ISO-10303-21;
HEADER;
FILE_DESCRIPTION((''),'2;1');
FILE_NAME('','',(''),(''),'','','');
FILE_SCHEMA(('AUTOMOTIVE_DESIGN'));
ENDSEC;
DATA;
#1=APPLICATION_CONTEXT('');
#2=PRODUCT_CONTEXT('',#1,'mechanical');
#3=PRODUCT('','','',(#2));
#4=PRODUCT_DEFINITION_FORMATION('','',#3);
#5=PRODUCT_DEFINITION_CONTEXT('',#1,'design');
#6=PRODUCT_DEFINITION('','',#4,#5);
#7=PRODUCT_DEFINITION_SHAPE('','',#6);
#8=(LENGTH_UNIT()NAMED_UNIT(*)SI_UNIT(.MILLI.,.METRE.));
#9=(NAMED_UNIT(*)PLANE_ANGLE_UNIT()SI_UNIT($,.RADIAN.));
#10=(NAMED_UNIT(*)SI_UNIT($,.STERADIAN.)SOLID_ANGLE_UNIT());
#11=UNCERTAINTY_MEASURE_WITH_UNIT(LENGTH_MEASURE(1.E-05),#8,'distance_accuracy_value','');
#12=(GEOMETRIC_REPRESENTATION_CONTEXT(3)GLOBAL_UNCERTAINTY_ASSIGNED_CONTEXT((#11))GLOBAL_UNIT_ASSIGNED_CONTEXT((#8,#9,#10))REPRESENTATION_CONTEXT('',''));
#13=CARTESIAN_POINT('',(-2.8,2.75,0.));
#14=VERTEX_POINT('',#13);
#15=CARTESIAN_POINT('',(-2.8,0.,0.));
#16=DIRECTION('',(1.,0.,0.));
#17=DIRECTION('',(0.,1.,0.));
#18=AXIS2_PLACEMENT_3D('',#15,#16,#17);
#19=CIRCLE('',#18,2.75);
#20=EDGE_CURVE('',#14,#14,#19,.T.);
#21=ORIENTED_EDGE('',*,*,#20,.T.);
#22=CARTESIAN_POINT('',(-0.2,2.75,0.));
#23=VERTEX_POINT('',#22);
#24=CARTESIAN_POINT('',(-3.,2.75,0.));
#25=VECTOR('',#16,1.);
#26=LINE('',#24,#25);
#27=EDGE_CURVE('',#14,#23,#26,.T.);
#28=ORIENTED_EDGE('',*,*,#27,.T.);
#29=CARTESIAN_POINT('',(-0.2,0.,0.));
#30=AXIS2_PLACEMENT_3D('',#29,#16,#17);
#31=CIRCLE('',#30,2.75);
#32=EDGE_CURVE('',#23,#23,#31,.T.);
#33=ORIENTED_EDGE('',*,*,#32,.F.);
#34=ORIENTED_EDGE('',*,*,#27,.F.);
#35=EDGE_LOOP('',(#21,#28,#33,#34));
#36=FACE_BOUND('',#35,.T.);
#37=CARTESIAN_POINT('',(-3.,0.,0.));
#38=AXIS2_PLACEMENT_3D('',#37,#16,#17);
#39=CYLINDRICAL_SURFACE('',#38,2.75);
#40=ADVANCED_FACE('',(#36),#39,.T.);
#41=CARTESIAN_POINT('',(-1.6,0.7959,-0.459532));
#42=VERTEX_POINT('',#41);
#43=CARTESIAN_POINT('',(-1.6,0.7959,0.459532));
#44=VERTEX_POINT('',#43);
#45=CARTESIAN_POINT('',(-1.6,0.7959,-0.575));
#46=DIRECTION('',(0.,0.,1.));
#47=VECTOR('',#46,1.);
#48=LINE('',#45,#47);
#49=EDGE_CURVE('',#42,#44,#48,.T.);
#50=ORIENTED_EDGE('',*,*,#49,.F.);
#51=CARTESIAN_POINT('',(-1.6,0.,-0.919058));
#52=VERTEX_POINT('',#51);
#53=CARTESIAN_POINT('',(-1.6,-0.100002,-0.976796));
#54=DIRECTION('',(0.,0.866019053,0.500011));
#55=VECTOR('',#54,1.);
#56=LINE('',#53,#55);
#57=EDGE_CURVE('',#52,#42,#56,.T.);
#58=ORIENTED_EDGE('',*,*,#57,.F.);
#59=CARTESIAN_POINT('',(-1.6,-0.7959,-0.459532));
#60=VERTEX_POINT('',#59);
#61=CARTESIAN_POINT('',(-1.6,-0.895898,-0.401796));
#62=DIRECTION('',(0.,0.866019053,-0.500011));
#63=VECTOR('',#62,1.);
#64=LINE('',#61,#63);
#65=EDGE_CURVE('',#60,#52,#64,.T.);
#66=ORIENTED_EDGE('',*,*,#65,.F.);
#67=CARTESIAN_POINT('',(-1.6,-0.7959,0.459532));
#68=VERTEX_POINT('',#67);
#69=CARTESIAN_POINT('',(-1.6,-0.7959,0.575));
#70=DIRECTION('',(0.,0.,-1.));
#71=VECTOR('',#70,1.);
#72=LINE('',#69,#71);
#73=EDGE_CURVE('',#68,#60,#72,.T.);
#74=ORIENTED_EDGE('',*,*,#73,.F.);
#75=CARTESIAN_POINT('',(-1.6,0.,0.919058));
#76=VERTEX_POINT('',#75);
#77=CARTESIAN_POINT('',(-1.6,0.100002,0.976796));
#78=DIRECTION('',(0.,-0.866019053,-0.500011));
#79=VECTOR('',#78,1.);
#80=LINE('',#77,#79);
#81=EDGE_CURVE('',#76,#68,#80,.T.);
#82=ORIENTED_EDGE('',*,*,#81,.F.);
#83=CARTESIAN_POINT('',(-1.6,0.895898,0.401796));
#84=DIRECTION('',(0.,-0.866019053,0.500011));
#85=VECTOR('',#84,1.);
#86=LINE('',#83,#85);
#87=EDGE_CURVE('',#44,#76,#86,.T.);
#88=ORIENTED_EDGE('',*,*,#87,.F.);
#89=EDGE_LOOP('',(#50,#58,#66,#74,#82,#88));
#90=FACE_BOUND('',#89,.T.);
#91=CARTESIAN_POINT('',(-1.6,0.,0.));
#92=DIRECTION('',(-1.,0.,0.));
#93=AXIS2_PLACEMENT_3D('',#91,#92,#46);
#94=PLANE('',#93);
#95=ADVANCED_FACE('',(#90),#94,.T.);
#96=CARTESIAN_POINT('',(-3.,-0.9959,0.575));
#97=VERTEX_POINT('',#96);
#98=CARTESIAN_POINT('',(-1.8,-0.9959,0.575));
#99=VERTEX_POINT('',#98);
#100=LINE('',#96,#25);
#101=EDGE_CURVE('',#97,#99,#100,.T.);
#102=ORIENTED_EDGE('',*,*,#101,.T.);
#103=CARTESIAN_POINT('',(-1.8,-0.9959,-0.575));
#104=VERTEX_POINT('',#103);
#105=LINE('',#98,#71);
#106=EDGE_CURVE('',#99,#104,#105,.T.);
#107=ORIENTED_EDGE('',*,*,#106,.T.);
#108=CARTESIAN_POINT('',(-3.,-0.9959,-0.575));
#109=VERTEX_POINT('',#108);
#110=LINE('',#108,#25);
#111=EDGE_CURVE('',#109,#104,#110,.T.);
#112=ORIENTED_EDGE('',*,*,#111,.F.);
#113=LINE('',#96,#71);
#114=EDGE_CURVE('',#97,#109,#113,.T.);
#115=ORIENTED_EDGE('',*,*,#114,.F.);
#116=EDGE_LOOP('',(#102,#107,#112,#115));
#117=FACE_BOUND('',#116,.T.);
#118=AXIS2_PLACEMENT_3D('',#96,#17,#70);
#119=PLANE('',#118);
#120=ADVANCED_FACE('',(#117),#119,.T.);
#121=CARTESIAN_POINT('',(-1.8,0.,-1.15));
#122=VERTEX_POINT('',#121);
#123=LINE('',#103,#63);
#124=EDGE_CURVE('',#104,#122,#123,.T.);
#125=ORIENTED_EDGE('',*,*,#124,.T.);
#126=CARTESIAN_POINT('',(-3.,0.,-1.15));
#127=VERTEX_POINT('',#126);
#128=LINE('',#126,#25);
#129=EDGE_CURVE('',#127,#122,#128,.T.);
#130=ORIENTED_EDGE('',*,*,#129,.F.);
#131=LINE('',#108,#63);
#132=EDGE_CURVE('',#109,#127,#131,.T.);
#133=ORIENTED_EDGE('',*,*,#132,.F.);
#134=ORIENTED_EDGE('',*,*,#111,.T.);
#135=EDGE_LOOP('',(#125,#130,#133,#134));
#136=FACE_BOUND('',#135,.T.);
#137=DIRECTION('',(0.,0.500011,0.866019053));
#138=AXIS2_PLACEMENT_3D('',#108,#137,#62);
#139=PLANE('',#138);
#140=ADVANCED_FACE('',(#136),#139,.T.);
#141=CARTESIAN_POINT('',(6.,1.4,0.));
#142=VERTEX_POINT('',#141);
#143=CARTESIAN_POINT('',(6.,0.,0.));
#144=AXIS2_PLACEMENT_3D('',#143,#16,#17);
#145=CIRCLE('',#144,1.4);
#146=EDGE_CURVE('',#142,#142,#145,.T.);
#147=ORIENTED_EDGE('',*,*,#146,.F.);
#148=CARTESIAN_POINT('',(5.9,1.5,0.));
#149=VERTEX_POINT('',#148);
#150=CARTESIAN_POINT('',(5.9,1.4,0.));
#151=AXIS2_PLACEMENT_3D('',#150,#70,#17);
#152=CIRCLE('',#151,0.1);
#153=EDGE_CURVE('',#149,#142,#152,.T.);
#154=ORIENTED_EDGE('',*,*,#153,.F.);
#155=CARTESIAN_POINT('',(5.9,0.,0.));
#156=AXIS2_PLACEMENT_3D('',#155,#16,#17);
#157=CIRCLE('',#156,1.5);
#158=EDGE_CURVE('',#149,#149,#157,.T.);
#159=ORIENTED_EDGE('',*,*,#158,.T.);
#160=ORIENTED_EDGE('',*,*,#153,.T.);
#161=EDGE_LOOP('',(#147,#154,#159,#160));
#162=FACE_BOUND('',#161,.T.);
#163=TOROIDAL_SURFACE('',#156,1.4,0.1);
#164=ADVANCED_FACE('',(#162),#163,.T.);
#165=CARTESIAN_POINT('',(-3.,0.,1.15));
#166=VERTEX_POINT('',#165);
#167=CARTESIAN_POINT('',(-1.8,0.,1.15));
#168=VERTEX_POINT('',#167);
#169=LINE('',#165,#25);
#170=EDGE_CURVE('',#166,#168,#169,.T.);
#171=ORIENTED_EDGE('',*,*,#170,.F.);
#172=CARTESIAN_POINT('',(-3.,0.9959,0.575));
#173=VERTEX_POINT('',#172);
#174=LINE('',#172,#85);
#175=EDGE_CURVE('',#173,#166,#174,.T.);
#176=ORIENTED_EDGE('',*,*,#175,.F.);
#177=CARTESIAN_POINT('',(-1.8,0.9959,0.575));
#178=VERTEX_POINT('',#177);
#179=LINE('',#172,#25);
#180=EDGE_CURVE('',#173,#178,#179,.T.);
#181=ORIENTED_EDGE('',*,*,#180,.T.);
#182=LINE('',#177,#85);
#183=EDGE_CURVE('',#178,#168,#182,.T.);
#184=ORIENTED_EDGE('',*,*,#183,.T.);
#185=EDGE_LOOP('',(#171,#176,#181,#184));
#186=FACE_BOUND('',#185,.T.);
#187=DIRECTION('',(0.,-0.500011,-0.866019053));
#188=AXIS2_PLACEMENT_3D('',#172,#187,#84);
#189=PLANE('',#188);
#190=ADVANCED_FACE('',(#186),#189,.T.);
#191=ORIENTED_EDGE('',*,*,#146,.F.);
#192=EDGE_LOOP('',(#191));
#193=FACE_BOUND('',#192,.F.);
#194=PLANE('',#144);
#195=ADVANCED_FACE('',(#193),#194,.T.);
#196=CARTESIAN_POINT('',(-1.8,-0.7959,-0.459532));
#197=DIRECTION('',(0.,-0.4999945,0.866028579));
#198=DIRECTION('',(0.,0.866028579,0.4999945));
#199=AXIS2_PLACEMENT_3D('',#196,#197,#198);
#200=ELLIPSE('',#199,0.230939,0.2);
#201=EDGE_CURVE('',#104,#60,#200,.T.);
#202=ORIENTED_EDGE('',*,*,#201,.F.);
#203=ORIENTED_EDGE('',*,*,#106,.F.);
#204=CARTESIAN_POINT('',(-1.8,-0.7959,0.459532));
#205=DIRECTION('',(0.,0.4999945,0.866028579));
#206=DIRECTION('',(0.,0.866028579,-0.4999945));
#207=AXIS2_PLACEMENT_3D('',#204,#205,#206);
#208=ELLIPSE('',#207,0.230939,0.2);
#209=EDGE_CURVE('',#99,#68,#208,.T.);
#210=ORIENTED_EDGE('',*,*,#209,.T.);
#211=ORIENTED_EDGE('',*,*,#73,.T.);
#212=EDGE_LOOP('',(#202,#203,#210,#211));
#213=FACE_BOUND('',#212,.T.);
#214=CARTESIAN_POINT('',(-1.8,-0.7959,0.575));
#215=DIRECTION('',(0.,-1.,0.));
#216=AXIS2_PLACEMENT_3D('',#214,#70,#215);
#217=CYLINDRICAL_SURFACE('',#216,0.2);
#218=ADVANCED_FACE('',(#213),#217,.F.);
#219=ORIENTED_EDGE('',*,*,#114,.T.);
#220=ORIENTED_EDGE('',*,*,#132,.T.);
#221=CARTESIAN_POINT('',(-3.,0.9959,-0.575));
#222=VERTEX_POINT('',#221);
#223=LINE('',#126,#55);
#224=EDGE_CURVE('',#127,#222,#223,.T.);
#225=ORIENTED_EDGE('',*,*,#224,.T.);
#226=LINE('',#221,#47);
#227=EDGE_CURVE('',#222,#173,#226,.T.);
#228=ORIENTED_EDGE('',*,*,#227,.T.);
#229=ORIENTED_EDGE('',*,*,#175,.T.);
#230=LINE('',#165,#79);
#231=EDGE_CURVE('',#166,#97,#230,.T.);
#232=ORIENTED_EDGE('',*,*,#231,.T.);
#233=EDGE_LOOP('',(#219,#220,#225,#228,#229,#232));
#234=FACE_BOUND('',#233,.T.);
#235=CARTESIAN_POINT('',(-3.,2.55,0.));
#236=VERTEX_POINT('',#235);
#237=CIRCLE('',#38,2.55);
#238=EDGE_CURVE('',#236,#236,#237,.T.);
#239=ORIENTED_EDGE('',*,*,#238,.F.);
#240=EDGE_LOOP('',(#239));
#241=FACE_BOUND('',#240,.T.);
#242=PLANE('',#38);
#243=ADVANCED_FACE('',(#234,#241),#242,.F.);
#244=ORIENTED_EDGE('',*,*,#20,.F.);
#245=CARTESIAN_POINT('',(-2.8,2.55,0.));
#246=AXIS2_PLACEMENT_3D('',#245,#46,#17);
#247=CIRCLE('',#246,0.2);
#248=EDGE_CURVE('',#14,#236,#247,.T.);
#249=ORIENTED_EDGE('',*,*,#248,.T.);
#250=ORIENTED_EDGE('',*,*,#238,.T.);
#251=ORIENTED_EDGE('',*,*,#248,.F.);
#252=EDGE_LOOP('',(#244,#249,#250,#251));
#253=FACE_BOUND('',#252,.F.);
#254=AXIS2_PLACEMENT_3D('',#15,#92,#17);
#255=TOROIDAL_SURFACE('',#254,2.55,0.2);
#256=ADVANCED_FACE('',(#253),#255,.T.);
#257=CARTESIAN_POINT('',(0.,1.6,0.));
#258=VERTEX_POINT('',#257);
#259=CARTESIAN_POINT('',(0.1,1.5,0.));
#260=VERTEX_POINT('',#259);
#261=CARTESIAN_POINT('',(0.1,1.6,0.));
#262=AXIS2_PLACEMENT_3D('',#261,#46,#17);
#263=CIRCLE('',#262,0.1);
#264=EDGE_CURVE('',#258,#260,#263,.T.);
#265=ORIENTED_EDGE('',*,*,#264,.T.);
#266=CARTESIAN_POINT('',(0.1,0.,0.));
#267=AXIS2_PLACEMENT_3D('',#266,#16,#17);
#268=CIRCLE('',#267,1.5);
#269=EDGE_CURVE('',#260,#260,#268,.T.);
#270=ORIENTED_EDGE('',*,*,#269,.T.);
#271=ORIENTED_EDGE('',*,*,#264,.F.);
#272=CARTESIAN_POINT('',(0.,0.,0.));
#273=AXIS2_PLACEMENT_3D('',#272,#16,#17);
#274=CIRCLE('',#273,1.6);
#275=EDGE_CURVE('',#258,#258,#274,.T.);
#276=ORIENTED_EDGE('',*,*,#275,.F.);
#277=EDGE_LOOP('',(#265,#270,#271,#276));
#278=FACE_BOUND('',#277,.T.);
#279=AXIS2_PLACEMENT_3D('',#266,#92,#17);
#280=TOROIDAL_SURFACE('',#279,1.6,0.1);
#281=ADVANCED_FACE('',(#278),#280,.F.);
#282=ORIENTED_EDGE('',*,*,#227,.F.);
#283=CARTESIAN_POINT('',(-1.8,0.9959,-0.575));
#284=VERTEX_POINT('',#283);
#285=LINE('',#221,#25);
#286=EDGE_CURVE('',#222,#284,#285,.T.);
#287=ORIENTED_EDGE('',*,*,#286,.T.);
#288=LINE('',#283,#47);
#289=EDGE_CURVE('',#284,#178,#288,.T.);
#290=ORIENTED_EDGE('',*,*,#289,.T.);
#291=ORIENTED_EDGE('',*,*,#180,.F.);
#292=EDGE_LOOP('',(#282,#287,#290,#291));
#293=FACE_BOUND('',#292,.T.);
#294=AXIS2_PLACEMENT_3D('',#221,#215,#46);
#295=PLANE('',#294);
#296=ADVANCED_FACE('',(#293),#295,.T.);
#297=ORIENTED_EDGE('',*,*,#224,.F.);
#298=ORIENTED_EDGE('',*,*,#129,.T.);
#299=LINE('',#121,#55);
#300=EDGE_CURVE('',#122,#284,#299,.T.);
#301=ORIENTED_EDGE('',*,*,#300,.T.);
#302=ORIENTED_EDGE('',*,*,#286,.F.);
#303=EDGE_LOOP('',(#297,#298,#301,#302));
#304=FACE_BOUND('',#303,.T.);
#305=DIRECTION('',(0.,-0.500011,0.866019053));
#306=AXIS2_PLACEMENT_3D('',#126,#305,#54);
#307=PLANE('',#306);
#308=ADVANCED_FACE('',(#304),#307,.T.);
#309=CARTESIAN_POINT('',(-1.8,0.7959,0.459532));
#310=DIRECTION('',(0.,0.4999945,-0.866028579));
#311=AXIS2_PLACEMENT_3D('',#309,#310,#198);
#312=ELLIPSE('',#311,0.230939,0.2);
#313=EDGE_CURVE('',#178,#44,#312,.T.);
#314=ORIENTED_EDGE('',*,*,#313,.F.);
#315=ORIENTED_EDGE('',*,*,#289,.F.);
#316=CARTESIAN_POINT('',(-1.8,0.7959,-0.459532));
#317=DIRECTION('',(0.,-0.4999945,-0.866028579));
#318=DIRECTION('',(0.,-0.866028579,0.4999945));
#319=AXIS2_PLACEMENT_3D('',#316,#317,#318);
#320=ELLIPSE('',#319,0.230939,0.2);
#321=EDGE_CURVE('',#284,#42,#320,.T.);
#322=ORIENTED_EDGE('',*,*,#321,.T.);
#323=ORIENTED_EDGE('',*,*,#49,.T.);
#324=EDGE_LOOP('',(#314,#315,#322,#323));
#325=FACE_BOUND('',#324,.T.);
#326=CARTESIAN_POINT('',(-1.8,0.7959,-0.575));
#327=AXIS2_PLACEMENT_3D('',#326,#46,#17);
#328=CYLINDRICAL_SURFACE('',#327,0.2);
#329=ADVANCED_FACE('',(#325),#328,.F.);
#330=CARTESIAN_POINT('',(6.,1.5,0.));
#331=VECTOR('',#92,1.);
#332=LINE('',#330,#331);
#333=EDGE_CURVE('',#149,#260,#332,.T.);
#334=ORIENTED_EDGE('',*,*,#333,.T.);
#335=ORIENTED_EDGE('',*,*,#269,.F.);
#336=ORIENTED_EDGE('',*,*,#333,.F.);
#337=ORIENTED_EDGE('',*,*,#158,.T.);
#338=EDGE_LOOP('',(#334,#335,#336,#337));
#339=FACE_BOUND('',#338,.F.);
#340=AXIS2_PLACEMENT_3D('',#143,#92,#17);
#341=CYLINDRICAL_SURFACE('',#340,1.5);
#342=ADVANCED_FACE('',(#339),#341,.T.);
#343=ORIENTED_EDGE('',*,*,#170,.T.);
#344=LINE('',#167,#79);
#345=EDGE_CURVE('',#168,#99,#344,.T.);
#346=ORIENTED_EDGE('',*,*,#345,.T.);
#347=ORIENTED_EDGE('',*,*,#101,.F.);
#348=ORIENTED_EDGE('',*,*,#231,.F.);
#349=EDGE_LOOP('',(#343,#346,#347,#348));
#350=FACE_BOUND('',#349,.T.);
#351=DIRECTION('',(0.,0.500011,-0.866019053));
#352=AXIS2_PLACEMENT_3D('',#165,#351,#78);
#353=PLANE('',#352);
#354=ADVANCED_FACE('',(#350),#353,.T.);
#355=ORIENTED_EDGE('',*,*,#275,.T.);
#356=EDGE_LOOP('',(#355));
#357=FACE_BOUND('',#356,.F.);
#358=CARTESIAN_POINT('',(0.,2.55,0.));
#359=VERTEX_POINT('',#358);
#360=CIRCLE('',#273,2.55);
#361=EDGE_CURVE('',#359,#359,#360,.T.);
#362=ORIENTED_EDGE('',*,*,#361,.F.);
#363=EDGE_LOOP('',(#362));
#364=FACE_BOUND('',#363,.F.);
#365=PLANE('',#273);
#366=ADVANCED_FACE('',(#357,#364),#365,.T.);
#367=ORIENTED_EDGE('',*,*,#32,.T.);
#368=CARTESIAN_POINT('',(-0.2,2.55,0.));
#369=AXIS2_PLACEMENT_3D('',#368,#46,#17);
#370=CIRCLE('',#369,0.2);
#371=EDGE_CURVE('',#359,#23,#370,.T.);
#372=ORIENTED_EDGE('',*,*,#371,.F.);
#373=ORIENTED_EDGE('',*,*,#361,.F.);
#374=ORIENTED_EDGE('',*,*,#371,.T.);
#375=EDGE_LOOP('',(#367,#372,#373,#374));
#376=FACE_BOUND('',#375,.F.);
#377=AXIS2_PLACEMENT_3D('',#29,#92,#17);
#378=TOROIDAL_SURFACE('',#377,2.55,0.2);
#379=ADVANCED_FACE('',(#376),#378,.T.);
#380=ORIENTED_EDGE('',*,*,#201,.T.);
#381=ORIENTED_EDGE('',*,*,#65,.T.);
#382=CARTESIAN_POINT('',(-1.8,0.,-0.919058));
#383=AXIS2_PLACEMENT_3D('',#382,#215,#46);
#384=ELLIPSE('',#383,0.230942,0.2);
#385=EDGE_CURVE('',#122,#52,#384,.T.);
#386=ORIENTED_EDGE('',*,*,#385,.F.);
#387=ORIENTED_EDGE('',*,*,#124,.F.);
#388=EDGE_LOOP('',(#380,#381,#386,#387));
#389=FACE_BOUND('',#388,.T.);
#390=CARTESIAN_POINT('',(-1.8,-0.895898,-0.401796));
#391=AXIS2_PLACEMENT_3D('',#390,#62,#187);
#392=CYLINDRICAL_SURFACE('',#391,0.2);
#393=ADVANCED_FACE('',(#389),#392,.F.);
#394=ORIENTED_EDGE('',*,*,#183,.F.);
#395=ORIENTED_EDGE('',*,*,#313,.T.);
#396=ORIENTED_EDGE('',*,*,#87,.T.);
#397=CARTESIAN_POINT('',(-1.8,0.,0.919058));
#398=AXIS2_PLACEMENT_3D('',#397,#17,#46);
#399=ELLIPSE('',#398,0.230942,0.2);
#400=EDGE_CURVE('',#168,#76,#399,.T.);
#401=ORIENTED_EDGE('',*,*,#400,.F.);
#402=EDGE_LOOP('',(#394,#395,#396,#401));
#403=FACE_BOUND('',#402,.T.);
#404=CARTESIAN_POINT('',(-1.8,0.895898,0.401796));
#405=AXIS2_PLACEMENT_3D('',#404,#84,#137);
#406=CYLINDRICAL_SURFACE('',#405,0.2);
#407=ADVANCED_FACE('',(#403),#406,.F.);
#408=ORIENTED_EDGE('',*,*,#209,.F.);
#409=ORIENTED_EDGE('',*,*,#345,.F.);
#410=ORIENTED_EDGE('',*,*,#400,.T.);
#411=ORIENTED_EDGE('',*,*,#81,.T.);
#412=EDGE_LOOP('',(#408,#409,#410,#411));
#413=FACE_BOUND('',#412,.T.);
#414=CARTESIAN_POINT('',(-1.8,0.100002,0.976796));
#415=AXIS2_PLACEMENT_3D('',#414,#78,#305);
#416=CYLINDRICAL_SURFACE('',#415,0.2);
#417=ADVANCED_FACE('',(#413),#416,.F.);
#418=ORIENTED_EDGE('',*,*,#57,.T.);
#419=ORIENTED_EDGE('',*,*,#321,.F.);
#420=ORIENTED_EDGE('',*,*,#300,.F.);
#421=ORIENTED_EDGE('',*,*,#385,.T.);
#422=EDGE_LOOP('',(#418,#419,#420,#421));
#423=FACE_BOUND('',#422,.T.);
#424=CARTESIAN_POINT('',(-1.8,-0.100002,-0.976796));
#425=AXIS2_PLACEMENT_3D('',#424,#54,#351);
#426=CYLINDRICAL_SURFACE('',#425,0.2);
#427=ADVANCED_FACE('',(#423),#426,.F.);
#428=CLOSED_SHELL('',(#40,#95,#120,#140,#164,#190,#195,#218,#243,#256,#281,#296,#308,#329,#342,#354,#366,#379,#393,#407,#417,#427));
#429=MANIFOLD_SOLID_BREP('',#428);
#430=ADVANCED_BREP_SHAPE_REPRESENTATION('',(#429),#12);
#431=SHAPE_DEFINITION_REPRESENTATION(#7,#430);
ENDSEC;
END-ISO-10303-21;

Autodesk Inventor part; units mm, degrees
ref_plane "YZ Plane" through (0, 0, 0) normal (1, 0, 0) x (0, 1, 0)
ref_plane "XZ Plane" through (0, 0, 0) normal (0, 1, 0) x (-1, 0, 0)
ref_plane "XY Plane" through (0, 0, 0) normal (0, 0, 1) x (1, 0, 0)
sketch "スケッチ1" plane through (0, 0, 0) normal (0, 0, 1) x (1, 0, 0)
  line L0 (0, 0) -> (6, 0)
  line L1 (6, 0) -> (6, 1.5)
  line L2 (6, 1.5) -> (0, 1.5)
  line L3 (0, 1.5) -> (0, 0)
  line L4 (0, 0) -> (0, 2.75)
  line L5 (0, 0) -> (-3, 0)
  line L6 (-3, 0) -> (0, 0)
  line L7 (-3, 0) -> (-3, 1.15)
  line L8 (0, 0) -> (-3, 0)
  line L9 (-3, 0) -> (-3, 2.75)
  line L10 (-3, 2.75) -> (0, 2.75)
  line L11 (0, 2.75) -> (0, 0)
  dimension "d0" = 1.5
  dimension "d1" = 6
  dimension "d3" = 3
  dimension "d4" = 2.75
  dimension "d5" = 1.15
revolve "回転1" add sketch "スケッチ1" angle 360 about axis through (-3, 0, 0) along (1, 0, 0)
thread "ねじ1" size "M3x0.5" class "6g" standard "ANSI Metric M Profile" length 100
sketch "スケッチ2" plane through (-3, 0, 0) normal (-1, 0, 0) x (0, 0, 1)
  circle A0 centre (0, 0) radius 1.15 projected
  line L0 (-0.575, 0.9959) -> (0.575, 0.9959)
  line L1 (0.575, 0.9959) -> (1.15, 0)
  line L2 (1.15, 0) -> (0.575, -0.9959)
  line L3 (0.575, -0.9959) -> (-0.575, -0.9959)
  line L4 (-0.575, -0.9959) -> (-1.15, 0)
  line L5 (-1.15, 0) -> (-0.575, 0.9959)
  dimension "d10" = 1.15
  dimension "d11" = 1.9919
extrude "押し出し1" cut sketch "スケッチ2" against normal blind 1.4 contours L2 L3 L4 L5 L0 L1
fillet "フィレット1" radius 0.2 8 edges at (-1.6, 0.9959, 0) (-1.6, 0.498, 0.8625) (-1.6, 0.498, -0.8625) (-1.6, -0.498, -0.8625) (-1.6, -0.9959, 0) (-1.6, -0.498, 0.8625) (-3, -2.75, 0) (0, -2.75, 0)
fillet "フィレット2" radius 0.1 1 edges at (0, -1.5, 0)
fillet "フィレット3" radius 0.1 1 edges at (6, -1.5, 0)
properties part number "ネジアルミM3L6" material "アルミニウム 7075"
